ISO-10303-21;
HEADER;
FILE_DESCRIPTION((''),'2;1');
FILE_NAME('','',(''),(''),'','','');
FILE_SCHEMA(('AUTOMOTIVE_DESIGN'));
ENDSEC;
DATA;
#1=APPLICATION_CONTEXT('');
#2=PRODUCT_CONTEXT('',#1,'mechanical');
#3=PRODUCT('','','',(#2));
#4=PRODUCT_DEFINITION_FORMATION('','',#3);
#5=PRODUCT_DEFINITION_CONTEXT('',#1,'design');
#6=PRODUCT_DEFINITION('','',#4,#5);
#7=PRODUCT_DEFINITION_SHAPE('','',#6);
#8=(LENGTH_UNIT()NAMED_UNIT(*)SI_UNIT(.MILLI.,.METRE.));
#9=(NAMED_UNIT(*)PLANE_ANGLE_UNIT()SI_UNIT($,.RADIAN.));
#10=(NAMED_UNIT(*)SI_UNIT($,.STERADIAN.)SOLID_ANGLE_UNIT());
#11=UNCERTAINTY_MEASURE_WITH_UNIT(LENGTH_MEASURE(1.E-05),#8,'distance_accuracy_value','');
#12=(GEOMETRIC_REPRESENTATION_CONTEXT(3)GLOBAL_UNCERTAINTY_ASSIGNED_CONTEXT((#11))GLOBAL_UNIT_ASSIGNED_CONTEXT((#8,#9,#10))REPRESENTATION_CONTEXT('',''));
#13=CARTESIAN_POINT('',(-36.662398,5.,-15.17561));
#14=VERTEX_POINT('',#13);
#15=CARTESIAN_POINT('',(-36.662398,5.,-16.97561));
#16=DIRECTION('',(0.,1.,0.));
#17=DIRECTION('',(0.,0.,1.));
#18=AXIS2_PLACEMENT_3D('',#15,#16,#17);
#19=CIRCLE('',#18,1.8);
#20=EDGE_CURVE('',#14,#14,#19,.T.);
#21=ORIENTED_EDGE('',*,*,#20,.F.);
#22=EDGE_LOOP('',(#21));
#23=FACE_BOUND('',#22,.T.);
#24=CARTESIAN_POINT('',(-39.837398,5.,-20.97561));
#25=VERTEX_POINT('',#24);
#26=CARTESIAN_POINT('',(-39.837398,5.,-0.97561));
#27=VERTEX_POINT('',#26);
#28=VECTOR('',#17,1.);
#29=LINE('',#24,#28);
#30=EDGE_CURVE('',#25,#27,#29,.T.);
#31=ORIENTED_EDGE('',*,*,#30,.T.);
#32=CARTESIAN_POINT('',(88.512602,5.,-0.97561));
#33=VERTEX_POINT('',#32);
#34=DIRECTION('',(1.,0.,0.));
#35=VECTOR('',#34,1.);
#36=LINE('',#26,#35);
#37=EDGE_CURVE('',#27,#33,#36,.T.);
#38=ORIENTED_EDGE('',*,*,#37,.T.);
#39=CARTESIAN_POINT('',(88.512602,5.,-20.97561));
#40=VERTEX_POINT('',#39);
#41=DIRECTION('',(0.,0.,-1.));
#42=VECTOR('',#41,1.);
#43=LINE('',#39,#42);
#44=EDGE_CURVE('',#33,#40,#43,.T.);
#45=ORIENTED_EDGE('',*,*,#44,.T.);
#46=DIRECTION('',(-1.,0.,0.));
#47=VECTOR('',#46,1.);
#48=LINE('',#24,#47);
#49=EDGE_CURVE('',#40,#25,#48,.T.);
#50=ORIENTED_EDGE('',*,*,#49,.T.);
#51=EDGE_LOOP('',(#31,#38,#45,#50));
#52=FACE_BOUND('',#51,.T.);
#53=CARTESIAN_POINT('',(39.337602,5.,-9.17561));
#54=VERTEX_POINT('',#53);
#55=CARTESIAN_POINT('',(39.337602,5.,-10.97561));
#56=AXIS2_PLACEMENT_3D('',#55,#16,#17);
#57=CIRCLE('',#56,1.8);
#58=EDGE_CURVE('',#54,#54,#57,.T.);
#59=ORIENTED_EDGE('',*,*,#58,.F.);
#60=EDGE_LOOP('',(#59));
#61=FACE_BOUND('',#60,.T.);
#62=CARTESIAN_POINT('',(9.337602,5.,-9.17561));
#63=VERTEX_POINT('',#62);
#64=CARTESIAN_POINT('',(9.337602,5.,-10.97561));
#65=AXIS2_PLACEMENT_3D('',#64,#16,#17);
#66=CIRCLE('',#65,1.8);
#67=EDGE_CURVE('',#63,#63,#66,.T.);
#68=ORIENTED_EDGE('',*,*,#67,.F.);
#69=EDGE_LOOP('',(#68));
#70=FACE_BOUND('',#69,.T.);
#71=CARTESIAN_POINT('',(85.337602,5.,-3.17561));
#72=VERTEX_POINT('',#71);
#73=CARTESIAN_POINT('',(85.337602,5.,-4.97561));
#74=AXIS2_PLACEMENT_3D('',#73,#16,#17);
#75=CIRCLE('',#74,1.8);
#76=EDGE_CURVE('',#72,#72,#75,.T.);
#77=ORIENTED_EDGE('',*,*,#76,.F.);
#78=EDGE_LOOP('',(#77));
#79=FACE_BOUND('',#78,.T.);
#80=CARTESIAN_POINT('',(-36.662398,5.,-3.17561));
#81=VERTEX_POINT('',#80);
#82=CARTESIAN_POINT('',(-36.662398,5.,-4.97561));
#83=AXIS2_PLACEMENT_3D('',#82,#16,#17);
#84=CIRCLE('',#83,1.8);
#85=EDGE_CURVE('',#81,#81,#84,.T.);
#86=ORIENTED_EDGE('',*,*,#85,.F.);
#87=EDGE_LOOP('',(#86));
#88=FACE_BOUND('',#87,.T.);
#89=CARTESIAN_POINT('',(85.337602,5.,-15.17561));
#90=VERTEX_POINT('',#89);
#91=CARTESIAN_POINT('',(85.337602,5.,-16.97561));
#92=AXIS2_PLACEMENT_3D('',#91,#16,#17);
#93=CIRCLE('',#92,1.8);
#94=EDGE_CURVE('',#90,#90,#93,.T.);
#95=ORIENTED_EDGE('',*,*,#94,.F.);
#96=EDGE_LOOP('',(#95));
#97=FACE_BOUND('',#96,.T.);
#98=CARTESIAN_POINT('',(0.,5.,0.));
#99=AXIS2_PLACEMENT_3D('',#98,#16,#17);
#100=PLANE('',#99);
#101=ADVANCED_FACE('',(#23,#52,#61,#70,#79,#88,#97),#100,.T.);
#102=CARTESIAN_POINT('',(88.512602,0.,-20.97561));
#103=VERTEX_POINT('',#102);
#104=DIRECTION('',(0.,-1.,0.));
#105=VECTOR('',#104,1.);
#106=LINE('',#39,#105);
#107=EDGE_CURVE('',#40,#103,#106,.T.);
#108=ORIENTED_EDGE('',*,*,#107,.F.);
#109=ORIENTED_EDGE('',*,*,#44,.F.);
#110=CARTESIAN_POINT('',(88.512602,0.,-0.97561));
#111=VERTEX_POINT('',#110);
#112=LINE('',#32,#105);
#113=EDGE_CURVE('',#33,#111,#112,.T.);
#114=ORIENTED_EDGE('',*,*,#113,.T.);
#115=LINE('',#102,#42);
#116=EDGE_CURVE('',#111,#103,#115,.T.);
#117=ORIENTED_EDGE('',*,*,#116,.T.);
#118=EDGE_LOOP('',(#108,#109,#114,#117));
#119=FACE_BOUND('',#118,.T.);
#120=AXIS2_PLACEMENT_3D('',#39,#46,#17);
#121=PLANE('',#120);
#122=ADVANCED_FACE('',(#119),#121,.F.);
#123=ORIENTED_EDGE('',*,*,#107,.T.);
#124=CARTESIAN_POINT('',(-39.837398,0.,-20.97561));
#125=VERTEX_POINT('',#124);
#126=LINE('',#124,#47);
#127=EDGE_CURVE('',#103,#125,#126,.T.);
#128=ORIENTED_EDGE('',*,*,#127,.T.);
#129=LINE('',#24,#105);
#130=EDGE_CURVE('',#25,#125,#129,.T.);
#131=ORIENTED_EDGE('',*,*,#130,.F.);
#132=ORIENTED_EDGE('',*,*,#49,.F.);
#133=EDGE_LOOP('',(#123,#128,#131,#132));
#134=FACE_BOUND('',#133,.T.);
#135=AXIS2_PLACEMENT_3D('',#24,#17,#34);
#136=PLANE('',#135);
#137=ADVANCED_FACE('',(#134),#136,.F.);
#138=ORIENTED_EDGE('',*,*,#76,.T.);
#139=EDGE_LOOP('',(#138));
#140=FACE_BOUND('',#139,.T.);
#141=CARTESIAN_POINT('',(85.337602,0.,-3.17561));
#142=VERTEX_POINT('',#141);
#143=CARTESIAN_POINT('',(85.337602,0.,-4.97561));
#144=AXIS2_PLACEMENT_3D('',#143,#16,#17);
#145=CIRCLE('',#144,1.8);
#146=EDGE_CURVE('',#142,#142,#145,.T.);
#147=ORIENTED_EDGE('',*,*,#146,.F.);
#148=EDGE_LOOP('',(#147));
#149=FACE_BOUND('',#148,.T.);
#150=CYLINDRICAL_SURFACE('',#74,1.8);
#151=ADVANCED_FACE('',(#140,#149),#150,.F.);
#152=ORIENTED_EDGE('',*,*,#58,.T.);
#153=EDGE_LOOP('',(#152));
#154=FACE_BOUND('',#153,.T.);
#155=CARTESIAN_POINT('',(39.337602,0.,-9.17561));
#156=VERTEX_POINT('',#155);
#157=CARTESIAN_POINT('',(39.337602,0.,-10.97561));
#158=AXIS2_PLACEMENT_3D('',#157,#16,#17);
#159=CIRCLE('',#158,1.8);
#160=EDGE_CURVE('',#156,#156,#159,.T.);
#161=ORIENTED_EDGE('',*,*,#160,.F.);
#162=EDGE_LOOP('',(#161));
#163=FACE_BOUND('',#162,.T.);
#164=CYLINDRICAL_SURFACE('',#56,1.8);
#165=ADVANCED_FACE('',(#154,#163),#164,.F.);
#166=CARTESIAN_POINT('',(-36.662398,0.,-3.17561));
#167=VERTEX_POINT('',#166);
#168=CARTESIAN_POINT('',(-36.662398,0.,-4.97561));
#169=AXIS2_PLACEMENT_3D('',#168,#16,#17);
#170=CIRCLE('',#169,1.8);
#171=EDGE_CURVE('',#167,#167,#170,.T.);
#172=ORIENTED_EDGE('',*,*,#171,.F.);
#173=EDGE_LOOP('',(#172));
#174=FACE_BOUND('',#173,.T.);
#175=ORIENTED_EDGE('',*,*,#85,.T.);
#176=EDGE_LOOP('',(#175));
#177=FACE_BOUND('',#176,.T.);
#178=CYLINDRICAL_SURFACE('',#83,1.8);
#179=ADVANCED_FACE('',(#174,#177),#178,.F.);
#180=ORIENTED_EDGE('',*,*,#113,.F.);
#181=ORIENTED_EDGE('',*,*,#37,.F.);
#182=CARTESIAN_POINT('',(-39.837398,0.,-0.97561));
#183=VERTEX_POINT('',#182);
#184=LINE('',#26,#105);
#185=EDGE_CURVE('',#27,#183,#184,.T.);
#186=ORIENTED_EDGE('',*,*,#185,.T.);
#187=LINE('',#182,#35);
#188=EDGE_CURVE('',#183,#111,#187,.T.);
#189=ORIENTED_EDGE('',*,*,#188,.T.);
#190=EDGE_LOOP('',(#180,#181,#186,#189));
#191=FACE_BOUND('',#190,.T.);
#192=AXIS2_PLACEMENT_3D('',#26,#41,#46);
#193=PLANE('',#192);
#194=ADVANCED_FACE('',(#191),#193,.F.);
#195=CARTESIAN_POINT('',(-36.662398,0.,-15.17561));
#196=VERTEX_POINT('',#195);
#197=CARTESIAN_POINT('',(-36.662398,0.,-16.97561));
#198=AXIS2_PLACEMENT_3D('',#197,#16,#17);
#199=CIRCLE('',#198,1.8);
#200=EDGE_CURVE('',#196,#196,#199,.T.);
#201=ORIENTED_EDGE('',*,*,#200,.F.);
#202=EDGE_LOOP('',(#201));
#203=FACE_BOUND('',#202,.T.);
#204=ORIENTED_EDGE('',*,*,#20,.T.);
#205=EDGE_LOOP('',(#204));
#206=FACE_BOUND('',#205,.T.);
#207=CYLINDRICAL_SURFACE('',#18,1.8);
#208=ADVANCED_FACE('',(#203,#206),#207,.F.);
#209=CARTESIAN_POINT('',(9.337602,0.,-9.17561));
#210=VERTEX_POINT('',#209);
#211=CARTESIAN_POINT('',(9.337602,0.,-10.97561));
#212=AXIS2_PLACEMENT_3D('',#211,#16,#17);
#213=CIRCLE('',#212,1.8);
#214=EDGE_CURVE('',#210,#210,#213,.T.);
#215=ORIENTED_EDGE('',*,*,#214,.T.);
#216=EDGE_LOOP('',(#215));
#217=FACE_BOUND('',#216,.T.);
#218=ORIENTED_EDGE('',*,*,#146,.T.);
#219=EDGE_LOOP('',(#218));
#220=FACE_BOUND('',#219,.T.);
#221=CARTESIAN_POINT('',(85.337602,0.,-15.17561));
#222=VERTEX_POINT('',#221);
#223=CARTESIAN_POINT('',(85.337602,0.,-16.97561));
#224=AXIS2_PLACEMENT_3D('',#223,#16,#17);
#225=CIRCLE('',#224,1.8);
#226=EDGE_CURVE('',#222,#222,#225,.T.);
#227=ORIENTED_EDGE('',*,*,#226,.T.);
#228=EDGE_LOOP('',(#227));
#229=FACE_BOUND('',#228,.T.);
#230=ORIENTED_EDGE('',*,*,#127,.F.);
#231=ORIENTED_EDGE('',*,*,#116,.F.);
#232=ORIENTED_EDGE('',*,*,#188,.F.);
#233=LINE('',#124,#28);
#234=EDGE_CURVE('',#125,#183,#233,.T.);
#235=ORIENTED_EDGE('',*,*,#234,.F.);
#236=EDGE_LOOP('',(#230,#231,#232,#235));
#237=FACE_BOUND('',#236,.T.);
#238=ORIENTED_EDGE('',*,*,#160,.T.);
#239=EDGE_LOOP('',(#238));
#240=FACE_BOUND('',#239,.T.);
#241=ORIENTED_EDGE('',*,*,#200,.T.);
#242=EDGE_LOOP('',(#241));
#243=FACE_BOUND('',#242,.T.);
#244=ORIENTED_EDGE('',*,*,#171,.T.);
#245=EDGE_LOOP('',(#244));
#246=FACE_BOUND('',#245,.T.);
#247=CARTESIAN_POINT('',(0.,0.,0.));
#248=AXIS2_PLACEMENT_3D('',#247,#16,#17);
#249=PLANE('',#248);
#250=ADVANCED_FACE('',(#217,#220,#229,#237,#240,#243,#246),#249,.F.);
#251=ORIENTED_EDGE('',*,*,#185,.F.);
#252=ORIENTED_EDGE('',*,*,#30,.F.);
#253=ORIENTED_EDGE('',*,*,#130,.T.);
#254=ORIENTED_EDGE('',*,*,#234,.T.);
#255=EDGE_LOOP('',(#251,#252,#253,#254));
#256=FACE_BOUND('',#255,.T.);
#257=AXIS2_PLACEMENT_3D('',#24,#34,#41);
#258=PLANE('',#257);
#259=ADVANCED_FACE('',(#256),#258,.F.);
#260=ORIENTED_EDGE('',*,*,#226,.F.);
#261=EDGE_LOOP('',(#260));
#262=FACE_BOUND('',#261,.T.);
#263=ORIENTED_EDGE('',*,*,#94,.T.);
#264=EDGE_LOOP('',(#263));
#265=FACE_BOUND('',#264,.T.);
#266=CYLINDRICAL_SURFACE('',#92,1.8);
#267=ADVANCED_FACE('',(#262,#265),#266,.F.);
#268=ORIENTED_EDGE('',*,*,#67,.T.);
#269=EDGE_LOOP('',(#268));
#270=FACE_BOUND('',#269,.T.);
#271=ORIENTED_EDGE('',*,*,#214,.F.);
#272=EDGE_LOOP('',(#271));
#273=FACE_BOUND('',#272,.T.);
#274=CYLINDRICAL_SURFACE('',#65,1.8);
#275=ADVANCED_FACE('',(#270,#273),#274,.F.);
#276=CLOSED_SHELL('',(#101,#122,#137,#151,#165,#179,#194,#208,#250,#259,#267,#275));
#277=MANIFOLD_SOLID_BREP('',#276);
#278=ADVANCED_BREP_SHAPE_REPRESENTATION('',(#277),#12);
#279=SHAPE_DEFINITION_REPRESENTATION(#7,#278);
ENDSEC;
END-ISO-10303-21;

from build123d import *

# Parameters (mm, degrees)
SKETCH2_W            = 128.35
SKETCH2_H            = 20
BOSS_EXTRUDE1_DEPTH  = 5
M3_CLEARANCE_HOLE1_D = 3.6
M3_CLEARANCE_HOLE2_D = 3.6


with BuildPart() as part:
    # Sketch2 → Boss-Extrude1 (new body)
    with BuildSketch(Plane(origin=(0, 0, 0), x_dir=(1, 0, 0), z_dir=(0, 1, 0))):
        with Locations((24.337601626, 10.975609756)):
            Rectangle(SKETCH2_W, SKETCH2_H)
    extrude(amount=BOSS_EXTRUDE1_DEPTH)

    # M3 Clearance Hole1 (through all)
    with Locations(Plane(origin=(0, 5, 0), x_dir=(1, 0, 0), z_dir=(0, 1, 0))):
        with Locations((-36.662398374, 16.975609756), (-36.662398374, 4.975609756), (85.337601626, 16.975609756), (85.337601626, 4.975609756)):
            Hole(M3_CLEARANCE_HOLE1_D / 2)

    # M3 Clearance Hole2 (through all)
    with Locations(Plane(origin=(0, 5, 0), x_dir=(1, 0, 0), z_dir=(0, 1, 0))):
        with Locations((9.337601626, 10.975609756), (39.337601626, 10.975609756)):
            Hole(M3_CLEARANCE_HOLE2_D / 2)


solid = part.part
